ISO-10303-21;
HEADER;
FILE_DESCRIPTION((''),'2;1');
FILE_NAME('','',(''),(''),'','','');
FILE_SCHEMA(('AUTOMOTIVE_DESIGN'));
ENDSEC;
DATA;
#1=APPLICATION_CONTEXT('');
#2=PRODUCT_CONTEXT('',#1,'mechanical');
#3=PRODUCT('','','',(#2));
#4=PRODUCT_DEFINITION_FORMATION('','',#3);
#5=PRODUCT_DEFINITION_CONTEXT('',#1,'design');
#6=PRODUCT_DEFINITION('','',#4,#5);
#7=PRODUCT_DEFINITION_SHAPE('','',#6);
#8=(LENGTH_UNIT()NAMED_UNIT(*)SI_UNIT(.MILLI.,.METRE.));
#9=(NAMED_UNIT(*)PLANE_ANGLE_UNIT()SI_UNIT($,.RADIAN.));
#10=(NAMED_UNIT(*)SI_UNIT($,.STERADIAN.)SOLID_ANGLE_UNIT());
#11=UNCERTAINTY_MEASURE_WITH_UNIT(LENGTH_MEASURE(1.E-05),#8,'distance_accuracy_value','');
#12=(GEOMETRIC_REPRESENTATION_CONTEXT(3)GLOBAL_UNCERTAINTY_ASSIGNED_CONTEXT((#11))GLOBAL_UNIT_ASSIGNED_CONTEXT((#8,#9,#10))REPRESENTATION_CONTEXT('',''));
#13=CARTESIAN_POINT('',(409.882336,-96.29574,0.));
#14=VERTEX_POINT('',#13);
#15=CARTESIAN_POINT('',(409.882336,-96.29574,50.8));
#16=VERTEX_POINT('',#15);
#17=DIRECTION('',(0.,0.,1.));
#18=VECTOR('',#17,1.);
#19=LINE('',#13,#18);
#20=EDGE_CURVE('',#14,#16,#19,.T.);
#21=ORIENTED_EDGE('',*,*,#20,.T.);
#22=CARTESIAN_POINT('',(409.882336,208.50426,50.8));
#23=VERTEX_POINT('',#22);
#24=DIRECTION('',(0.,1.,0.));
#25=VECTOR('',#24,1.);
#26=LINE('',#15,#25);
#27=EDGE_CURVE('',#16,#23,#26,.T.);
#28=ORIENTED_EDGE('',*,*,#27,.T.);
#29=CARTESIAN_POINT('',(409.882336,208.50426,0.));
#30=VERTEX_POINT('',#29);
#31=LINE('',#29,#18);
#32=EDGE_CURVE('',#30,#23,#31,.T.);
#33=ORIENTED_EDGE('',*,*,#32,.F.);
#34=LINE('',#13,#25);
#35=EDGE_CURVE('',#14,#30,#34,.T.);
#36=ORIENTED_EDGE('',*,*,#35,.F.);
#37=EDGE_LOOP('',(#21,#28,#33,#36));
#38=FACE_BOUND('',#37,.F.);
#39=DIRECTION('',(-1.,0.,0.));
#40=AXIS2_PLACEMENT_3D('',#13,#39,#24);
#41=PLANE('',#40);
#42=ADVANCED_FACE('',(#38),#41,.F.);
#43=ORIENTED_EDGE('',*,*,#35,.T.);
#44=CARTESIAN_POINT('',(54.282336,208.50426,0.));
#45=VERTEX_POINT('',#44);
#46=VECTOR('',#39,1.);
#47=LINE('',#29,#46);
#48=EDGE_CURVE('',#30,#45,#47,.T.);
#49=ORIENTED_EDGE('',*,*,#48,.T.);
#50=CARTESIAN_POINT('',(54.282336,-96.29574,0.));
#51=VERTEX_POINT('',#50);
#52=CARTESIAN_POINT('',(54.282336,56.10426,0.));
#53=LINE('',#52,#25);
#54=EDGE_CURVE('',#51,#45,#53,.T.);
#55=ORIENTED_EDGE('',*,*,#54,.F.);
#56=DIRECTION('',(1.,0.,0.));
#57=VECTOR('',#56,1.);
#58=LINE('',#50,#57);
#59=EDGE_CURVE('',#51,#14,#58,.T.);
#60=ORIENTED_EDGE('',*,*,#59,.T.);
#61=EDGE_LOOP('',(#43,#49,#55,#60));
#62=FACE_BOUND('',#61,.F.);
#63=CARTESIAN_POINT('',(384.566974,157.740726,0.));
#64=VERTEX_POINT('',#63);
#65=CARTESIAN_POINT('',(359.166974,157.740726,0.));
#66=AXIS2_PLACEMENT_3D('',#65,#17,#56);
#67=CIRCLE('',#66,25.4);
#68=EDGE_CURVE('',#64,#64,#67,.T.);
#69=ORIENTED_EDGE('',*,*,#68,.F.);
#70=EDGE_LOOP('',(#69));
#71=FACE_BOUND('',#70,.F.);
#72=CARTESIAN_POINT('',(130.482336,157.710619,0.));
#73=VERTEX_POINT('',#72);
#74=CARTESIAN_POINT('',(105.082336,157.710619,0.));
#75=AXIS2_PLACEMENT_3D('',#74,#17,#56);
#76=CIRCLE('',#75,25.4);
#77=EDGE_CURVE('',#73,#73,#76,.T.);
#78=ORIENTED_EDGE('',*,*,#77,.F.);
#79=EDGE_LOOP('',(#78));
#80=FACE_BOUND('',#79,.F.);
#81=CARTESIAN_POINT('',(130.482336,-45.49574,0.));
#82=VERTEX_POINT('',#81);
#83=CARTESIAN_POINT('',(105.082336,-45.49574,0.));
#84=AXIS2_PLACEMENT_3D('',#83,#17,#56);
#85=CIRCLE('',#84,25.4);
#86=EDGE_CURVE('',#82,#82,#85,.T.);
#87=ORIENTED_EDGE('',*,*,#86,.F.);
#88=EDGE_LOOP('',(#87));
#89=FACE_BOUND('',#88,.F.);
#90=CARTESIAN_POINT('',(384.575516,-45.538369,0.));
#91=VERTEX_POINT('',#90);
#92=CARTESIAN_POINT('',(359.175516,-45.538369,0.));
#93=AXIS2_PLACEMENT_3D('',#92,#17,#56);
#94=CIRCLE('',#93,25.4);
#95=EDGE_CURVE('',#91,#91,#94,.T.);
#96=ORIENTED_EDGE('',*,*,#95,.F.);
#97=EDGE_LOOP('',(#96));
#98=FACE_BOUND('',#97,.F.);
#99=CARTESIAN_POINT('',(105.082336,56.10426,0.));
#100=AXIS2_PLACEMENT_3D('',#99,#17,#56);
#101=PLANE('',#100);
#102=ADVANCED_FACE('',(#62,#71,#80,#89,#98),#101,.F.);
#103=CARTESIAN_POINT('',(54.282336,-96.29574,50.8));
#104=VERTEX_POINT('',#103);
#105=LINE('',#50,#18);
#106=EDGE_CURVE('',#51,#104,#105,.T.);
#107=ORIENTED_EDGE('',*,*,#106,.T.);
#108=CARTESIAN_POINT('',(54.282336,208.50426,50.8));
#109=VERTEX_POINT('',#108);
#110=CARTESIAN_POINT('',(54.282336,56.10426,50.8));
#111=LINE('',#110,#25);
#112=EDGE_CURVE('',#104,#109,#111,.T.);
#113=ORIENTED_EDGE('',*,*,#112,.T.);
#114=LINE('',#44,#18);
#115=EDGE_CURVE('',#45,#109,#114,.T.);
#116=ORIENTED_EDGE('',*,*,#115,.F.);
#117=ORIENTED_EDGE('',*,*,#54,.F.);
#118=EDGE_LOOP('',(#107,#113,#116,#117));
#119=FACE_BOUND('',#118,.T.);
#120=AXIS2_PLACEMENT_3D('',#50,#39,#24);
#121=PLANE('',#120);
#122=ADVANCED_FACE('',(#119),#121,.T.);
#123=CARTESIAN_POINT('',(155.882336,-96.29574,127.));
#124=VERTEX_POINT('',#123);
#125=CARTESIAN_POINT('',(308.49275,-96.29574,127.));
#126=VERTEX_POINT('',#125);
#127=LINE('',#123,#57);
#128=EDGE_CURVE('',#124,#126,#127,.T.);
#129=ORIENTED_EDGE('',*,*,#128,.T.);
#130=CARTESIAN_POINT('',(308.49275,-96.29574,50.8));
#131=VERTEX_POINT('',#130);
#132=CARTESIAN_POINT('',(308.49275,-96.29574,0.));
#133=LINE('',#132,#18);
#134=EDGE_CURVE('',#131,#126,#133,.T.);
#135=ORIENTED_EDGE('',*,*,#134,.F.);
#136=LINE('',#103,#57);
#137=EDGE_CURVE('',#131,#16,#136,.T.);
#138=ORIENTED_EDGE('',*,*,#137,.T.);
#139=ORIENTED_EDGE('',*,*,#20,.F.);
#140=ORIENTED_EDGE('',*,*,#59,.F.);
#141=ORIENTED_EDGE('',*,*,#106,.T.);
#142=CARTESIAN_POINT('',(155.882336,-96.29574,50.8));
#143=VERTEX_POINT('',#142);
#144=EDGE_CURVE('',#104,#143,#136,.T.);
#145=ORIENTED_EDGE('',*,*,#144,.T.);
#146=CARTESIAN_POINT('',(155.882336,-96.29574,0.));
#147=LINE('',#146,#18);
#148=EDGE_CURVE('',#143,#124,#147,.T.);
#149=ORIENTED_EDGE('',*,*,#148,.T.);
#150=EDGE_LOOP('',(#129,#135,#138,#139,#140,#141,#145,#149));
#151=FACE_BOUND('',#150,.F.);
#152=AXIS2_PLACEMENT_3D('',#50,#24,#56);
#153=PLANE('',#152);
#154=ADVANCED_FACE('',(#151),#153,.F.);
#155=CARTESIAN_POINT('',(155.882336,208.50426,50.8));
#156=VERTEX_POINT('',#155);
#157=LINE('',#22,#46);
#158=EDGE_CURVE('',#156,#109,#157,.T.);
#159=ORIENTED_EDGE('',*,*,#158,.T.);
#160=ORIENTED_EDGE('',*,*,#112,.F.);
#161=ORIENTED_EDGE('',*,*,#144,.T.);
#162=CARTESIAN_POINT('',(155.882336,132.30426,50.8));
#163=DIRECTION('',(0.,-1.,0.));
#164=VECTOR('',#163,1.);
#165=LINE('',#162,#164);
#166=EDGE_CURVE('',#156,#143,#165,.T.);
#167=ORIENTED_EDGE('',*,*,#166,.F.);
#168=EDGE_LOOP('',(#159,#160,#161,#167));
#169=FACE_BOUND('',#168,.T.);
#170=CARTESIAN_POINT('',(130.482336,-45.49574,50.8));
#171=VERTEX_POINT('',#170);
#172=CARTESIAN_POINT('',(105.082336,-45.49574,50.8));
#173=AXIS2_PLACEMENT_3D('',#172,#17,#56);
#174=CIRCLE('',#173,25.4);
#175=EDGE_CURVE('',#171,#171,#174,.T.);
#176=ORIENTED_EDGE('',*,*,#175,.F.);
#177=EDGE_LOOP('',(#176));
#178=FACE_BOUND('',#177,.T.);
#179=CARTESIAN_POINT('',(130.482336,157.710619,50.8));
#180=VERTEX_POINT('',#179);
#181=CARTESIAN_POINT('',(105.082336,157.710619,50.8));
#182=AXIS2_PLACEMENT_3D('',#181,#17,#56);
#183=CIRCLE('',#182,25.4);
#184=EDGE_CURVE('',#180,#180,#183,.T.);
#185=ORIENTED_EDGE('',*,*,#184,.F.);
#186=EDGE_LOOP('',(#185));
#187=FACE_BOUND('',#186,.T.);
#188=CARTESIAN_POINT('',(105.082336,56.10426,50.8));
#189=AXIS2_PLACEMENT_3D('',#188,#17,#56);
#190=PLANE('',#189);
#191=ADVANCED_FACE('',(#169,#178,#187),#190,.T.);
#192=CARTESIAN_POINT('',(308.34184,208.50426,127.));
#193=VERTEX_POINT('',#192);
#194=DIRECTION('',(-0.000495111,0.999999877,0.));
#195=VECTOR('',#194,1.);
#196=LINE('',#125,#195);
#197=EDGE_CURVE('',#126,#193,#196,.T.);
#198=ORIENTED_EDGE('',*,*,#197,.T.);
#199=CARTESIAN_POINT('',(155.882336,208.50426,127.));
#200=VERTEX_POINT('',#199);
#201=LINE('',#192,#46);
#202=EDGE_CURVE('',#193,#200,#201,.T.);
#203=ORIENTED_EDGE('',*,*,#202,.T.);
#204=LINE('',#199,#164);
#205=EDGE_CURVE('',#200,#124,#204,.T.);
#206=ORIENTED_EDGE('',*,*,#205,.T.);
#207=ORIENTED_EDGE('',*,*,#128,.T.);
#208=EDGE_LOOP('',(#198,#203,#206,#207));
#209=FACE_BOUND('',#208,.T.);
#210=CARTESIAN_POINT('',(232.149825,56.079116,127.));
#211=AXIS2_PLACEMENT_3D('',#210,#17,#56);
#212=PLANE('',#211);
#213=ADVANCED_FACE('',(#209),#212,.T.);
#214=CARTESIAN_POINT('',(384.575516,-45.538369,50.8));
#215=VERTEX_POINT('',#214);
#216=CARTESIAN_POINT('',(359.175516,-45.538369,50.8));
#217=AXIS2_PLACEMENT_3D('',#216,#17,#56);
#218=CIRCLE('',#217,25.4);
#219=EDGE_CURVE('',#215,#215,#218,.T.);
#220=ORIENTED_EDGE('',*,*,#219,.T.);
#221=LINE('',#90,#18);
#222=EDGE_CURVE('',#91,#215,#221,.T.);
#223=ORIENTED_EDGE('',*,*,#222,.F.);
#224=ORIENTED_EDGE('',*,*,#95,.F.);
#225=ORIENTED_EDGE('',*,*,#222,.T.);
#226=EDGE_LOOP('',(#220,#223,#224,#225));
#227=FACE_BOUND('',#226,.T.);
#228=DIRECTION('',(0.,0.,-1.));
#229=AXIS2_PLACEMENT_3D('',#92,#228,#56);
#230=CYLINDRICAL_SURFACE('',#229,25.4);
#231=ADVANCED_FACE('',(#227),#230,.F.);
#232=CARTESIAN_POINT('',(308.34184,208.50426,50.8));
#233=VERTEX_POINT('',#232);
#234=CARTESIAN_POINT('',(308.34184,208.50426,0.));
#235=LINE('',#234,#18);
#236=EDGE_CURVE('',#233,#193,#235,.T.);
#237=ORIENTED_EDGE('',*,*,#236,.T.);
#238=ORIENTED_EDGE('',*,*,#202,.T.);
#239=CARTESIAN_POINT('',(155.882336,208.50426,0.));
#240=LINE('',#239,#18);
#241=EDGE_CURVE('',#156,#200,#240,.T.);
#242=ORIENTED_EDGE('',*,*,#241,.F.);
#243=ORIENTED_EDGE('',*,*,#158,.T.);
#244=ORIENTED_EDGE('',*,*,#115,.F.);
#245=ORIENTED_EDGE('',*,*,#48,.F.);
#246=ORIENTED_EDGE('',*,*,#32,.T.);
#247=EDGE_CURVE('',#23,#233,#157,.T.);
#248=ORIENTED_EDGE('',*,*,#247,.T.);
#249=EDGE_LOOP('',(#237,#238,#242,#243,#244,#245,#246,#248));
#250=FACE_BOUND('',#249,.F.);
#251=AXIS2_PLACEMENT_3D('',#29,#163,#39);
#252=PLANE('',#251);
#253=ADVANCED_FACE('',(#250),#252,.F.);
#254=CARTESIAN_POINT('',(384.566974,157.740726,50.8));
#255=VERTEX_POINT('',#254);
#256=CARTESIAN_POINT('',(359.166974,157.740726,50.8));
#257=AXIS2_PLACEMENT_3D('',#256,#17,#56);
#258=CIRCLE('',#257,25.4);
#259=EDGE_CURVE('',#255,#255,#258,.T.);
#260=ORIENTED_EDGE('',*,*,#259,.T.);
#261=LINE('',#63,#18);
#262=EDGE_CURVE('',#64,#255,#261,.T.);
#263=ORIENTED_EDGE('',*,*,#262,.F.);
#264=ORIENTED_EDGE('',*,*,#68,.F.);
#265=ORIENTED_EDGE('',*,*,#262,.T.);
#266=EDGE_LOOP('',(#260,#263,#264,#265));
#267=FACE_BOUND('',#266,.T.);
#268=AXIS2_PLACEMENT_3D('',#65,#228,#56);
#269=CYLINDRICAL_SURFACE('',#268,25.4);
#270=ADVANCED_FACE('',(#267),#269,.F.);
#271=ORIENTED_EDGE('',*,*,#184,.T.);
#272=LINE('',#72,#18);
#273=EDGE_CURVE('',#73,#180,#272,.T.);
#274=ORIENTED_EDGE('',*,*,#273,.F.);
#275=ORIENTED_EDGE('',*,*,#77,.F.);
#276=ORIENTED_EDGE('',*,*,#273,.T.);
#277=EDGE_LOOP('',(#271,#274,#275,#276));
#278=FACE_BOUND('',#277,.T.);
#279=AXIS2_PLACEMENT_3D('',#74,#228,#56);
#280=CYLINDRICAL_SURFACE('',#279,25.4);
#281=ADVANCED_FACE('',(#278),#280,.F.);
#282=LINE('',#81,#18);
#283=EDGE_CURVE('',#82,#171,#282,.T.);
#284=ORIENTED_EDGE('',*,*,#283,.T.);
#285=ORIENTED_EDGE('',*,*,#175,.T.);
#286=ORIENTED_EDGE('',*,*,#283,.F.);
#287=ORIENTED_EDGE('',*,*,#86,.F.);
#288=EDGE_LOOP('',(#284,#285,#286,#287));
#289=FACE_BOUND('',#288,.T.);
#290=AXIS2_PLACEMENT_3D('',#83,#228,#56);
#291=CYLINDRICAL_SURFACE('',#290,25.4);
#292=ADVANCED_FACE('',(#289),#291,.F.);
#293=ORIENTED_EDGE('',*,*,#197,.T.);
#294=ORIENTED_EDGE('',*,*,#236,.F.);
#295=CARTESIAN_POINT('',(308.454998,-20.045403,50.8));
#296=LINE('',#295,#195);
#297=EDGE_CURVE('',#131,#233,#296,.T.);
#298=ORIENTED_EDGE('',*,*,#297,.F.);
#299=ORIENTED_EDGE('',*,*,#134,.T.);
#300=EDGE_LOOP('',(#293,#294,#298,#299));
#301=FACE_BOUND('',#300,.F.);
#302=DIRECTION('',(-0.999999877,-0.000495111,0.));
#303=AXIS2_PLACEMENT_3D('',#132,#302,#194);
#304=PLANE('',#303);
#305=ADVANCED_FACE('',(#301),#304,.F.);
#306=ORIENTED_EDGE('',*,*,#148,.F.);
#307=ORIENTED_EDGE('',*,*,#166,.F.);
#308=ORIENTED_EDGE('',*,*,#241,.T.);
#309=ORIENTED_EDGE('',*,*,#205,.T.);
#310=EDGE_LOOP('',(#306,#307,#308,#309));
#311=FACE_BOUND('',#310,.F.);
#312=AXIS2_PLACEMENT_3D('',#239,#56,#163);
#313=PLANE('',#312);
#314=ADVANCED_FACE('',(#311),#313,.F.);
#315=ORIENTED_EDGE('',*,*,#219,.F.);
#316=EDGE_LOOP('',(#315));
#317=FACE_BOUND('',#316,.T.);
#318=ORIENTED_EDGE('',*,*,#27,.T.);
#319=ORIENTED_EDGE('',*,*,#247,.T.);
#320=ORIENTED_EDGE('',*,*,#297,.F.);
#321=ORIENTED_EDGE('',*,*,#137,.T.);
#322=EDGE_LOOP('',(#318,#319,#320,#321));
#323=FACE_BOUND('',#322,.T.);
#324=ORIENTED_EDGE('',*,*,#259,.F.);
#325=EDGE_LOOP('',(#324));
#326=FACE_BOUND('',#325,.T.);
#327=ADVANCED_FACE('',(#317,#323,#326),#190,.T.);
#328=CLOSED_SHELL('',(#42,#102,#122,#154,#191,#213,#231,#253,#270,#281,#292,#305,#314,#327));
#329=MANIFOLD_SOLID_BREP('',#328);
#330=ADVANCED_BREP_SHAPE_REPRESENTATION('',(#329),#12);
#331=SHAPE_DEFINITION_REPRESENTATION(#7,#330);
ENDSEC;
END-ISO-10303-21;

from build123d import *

# Parameters (mm, degrees)
F1_DEPTH = 127
F0_W     = 101.6
F0_H     = 304.8
F0_R     = 25.4
F2_DEPTH = 50.8


with BuildPart() as f1:
    # F0 (on Top) → F1 (new body)
    with BuildSketch(Plane.XY):
        Polygon((308.34184, 208.50426), (155.882336, 208.50426), (155.882336, -96.29574), (308.49275, -96.29574), align=None)
    extrude(amount=F1_DEPTH)

    # F0 (on Top) → F2 (join)
    with BuildSketch(Plane.XY):
        with Locations((105.082336, 56.10426)):
            Rectangle(F0_W, F0_H)
        with Locations((105.082336, -45.49574)):
            Circle(F0_R, mode=Mode.SUBTRACT)
        with Locations((105.082336, 157.710619)):
            Circle(F0_R, mode=Mode.SUBTRACT)
        Polygon((308.34184, 208.50426), (155.882336, 208.50426), (155.882336, -96.29574), (308.49275, -96.29574), align=None)
        Polygon((409.882336, 208.50426), (308.34184, 208.50426), (308.49275, -96.29574), (409.882336, -96.29574), align=None)
        with Locations((359.175516, -45.538369)):
            Circle(F0_R, mode=Mode.SUBTRACT)
        with Locations((359.166974, 157.740726)):
            Circle(F0_R, mode=Mode.SUBTRACT)
    extrude(amount=F2_DEPTH)


solid = f1.part
